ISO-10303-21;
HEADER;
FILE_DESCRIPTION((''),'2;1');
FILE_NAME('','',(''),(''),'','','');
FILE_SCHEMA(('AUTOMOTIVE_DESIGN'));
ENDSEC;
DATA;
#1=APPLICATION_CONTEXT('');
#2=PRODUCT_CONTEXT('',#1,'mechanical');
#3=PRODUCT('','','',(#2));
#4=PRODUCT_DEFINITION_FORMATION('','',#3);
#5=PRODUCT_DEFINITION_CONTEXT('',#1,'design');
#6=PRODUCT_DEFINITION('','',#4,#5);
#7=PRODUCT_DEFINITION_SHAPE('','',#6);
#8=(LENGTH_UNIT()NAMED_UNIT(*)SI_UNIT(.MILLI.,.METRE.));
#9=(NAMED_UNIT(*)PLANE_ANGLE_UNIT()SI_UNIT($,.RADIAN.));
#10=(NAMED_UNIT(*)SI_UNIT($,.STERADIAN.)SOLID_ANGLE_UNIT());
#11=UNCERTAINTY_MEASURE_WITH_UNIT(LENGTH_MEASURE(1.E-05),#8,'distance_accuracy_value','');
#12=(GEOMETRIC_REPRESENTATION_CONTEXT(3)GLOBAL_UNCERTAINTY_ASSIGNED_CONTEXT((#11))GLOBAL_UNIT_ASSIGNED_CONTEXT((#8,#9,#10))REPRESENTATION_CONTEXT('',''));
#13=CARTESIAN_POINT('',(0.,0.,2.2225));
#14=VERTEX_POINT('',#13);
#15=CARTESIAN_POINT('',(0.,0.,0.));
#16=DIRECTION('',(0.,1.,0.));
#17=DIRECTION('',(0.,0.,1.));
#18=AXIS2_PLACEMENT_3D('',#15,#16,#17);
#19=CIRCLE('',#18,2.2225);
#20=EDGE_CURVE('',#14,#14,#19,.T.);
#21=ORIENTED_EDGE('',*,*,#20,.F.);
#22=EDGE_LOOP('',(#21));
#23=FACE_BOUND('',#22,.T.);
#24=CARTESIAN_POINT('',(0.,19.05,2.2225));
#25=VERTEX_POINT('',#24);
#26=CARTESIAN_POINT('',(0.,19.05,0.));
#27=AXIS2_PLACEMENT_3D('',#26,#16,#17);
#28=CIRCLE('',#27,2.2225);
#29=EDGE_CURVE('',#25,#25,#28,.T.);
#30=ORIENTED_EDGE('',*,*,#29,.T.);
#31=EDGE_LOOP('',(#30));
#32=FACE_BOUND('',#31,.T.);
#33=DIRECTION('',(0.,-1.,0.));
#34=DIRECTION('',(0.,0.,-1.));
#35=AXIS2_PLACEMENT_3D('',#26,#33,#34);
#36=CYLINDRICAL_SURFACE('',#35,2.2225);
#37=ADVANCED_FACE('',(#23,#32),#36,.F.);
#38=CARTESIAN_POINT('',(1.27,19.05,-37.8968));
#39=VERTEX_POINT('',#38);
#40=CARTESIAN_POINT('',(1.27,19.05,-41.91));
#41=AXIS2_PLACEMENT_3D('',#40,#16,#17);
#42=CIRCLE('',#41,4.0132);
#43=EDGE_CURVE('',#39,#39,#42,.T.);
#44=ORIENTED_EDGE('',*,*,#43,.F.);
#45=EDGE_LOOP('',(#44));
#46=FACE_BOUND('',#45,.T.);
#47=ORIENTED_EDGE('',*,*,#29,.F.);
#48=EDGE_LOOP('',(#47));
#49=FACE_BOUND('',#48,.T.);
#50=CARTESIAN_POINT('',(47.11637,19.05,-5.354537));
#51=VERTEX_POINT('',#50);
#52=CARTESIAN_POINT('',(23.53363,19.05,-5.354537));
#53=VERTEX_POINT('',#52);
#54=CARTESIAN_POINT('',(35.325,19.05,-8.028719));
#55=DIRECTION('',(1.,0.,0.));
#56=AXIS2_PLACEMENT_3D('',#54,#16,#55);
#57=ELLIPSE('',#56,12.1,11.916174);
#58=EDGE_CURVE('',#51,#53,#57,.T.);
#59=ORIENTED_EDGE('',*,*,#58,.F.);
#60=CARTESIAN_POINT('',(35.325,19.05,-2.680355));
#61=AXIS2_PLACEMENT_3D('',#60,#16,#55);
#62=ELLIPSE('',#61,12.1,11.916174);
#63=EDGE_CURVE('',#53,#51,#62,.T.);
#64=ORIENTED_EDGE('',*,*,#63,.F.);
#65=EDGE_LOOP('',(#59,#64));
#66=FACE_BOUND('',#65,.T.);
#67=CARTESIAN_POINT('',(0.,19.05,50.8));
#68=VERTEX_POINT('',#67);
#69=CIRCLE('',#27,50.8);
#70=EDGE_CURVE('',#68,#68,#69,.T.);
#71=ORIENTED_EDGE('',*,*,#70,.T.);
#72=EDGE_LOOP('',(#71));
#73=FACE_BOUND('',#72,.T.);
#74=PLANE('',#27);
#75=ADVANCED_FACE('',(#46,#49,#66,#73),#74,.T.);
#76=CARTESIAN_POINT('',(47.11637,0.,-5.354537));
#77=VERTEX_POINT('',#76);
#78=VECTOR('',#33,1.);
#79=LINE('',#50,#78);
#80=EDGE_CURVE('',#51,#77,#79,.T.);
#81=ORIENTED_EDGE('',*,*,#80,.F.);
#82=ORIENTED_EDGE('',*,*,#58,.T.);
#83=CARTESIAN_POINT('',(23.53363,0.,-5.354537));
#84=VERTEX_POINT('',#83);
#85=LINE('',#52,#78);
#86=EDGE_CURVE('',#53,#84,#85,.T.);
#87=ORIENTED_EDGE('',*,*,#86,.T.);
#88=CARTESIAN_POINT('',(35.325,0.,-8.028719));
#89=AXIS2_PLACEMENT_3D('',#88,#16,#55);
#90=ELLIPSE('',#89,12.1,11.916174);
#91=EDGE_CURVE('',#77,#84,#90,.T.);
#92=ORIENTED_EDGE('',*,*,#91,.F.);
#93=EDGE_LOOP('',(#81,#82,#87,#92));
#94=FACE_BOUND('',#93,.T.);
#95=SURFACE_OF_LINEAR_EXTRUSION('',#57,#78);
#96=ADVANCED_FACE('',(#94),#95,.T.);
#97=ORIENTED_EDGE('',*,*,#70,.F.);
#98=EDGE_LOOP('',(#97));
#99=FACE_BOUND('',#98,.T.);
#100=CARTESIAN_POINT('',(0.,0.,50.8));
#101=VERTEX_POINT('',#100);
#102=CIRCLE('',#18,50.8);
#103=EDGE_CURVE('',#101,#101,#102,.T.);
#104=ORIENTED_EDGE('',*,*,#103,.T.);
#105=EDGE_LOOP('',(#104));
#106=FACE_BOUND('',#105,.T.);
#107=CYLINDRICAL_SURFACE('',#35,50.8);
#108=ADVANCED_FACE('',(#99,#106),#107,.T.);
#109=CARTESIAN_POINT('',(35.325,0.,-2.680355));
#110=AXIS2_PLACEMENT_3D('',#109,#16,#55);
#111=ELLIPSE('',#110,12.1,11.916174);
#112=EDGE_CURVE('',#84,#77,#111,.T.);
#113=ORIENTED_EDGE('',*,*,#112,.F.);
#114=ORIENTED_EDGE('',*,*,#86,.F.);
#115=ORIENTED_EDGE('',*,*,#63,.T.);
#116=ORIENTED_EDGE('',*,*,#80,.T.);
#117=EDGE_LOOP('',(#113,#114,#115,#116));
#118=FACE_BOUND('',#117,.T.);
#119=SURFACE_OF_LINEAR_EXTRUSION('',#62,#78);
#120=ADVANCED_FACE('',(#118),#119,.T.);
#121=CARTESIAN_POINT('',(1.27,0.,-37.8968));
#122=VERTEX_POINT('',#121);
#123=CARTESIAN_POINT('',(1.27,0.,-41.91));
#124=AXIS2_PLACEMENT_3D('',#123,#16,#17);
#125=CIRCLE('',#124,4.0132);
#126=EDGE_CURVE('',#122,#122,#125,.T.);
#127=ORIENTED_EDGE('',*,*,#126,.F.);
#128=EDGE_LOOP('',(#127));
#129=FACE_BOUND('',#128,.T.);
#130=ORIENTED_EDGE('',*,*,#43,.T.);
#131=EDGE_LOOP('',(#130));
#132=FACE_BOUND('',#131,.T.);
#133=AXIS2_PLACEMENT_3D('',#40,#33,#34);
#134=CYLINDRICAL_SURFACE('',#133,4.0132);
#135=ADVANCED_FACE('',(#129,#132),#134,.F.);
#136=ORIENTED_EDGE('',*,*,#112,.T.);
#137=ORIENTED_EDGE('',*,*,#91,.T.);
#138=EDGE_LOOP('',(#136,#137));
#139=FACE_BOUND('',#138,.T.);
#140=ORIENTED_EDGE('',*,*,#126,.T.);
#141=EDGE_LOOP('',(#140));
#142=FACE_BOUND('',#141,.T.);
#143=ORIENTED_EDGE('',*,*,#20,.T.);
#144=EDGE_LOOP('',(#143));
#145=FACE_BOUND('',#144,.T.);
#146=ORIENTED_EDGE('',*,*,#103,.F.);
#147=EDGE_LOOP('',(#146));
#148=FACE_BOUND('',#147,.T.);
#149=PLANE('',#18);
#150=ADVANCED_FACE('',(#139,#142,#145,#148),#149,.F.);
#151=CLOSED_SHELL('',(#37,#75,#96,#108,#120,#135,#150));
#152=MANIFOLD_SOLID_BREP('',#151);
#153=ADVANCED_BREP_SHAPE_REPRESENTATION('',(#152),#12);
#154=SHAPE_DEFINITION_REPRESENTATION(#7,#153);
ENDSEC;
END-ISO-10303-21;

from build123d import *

# Parameters (mm, degrees)
SKETCH1_R           = 50.8
SKETCH1_R_2         = 2.2225
SKETCH1_R_3         = 4.0132
BOSS_EXTRUDE1_DEPTH = 19.05


with BuildPart() as part:
    # Sketch1 → Boss-Extrude1 (new body)
    with BuildSketch(Plane(origin=(0, 0, 0), x_dir=(1, 0, 0), z_dir=(0, 1, 0))):
        Circle(SKETCH1_R)
        Circle(SKETCH1_R_2, mode=Mode.SUBTRACT)
        with BuildLine():
            add(Edge.make_bspline(
                [(47.425, 8.028719366), (47.425, 21.375976625), (33.958540857, 19.868664087), (20.492081715, 18.361351549), (23.533629849, 5.35453743)],
                knots=[0, 0, 0, 1.683968262, 1.683968262, 3.367936524, 3.367936524, 3.367936524], degree=2, weights=[1, 0.665984043, 1, 0.665984043, 1]))
            add(Edge.make_bspline(
                [(47.116370151, 5.35453743), (47.425, 6.674355793), (47.425, 8.028719366)],
                knots=[6.056841437, 6.056841437, 6.056841437, 6.283185307, 6.283185307, 6.283185307], degree=2, weights=[1, 0.993602889, 1]))
            add(Edge.make_bspline(
                [(44.525, -5.059632012), (48.484325385, -0.495358305), (47.116370151, 5.35453743)],
                knots=[5.576210889, 5.576210889, 5.576210889, 6.500952743, 6.500952743, 6.500952743], degree=2, weights=[1, 0.843252924, 0.891535306]))
            add(Edge.make_bspline(
                [(23.533629849, 5.35453743), (23.225, 4.034719066), (23.225, 2.680355494), (23.225, -29.614075135), (44.525, -5.059632012)],
                knots=[2.868291657, 2.868291657, 2.868291657, 3.141592654, 3.141592654, 5.576210889, 5.576210889, 5.576210889], degree=2, weights=[0.869685773, 0.926603696, 1, 0.346171505, 1]))
        make_face(mode=Mode.SUBTRACT)
        with Locations((1.27, 41.91)):
            Circle(SKETCH1_R_3, mode=Mode.SUBTRACT)
    extrude(amount=BOSS_EXTRUDE1_DEPTH)


solid = part.part
